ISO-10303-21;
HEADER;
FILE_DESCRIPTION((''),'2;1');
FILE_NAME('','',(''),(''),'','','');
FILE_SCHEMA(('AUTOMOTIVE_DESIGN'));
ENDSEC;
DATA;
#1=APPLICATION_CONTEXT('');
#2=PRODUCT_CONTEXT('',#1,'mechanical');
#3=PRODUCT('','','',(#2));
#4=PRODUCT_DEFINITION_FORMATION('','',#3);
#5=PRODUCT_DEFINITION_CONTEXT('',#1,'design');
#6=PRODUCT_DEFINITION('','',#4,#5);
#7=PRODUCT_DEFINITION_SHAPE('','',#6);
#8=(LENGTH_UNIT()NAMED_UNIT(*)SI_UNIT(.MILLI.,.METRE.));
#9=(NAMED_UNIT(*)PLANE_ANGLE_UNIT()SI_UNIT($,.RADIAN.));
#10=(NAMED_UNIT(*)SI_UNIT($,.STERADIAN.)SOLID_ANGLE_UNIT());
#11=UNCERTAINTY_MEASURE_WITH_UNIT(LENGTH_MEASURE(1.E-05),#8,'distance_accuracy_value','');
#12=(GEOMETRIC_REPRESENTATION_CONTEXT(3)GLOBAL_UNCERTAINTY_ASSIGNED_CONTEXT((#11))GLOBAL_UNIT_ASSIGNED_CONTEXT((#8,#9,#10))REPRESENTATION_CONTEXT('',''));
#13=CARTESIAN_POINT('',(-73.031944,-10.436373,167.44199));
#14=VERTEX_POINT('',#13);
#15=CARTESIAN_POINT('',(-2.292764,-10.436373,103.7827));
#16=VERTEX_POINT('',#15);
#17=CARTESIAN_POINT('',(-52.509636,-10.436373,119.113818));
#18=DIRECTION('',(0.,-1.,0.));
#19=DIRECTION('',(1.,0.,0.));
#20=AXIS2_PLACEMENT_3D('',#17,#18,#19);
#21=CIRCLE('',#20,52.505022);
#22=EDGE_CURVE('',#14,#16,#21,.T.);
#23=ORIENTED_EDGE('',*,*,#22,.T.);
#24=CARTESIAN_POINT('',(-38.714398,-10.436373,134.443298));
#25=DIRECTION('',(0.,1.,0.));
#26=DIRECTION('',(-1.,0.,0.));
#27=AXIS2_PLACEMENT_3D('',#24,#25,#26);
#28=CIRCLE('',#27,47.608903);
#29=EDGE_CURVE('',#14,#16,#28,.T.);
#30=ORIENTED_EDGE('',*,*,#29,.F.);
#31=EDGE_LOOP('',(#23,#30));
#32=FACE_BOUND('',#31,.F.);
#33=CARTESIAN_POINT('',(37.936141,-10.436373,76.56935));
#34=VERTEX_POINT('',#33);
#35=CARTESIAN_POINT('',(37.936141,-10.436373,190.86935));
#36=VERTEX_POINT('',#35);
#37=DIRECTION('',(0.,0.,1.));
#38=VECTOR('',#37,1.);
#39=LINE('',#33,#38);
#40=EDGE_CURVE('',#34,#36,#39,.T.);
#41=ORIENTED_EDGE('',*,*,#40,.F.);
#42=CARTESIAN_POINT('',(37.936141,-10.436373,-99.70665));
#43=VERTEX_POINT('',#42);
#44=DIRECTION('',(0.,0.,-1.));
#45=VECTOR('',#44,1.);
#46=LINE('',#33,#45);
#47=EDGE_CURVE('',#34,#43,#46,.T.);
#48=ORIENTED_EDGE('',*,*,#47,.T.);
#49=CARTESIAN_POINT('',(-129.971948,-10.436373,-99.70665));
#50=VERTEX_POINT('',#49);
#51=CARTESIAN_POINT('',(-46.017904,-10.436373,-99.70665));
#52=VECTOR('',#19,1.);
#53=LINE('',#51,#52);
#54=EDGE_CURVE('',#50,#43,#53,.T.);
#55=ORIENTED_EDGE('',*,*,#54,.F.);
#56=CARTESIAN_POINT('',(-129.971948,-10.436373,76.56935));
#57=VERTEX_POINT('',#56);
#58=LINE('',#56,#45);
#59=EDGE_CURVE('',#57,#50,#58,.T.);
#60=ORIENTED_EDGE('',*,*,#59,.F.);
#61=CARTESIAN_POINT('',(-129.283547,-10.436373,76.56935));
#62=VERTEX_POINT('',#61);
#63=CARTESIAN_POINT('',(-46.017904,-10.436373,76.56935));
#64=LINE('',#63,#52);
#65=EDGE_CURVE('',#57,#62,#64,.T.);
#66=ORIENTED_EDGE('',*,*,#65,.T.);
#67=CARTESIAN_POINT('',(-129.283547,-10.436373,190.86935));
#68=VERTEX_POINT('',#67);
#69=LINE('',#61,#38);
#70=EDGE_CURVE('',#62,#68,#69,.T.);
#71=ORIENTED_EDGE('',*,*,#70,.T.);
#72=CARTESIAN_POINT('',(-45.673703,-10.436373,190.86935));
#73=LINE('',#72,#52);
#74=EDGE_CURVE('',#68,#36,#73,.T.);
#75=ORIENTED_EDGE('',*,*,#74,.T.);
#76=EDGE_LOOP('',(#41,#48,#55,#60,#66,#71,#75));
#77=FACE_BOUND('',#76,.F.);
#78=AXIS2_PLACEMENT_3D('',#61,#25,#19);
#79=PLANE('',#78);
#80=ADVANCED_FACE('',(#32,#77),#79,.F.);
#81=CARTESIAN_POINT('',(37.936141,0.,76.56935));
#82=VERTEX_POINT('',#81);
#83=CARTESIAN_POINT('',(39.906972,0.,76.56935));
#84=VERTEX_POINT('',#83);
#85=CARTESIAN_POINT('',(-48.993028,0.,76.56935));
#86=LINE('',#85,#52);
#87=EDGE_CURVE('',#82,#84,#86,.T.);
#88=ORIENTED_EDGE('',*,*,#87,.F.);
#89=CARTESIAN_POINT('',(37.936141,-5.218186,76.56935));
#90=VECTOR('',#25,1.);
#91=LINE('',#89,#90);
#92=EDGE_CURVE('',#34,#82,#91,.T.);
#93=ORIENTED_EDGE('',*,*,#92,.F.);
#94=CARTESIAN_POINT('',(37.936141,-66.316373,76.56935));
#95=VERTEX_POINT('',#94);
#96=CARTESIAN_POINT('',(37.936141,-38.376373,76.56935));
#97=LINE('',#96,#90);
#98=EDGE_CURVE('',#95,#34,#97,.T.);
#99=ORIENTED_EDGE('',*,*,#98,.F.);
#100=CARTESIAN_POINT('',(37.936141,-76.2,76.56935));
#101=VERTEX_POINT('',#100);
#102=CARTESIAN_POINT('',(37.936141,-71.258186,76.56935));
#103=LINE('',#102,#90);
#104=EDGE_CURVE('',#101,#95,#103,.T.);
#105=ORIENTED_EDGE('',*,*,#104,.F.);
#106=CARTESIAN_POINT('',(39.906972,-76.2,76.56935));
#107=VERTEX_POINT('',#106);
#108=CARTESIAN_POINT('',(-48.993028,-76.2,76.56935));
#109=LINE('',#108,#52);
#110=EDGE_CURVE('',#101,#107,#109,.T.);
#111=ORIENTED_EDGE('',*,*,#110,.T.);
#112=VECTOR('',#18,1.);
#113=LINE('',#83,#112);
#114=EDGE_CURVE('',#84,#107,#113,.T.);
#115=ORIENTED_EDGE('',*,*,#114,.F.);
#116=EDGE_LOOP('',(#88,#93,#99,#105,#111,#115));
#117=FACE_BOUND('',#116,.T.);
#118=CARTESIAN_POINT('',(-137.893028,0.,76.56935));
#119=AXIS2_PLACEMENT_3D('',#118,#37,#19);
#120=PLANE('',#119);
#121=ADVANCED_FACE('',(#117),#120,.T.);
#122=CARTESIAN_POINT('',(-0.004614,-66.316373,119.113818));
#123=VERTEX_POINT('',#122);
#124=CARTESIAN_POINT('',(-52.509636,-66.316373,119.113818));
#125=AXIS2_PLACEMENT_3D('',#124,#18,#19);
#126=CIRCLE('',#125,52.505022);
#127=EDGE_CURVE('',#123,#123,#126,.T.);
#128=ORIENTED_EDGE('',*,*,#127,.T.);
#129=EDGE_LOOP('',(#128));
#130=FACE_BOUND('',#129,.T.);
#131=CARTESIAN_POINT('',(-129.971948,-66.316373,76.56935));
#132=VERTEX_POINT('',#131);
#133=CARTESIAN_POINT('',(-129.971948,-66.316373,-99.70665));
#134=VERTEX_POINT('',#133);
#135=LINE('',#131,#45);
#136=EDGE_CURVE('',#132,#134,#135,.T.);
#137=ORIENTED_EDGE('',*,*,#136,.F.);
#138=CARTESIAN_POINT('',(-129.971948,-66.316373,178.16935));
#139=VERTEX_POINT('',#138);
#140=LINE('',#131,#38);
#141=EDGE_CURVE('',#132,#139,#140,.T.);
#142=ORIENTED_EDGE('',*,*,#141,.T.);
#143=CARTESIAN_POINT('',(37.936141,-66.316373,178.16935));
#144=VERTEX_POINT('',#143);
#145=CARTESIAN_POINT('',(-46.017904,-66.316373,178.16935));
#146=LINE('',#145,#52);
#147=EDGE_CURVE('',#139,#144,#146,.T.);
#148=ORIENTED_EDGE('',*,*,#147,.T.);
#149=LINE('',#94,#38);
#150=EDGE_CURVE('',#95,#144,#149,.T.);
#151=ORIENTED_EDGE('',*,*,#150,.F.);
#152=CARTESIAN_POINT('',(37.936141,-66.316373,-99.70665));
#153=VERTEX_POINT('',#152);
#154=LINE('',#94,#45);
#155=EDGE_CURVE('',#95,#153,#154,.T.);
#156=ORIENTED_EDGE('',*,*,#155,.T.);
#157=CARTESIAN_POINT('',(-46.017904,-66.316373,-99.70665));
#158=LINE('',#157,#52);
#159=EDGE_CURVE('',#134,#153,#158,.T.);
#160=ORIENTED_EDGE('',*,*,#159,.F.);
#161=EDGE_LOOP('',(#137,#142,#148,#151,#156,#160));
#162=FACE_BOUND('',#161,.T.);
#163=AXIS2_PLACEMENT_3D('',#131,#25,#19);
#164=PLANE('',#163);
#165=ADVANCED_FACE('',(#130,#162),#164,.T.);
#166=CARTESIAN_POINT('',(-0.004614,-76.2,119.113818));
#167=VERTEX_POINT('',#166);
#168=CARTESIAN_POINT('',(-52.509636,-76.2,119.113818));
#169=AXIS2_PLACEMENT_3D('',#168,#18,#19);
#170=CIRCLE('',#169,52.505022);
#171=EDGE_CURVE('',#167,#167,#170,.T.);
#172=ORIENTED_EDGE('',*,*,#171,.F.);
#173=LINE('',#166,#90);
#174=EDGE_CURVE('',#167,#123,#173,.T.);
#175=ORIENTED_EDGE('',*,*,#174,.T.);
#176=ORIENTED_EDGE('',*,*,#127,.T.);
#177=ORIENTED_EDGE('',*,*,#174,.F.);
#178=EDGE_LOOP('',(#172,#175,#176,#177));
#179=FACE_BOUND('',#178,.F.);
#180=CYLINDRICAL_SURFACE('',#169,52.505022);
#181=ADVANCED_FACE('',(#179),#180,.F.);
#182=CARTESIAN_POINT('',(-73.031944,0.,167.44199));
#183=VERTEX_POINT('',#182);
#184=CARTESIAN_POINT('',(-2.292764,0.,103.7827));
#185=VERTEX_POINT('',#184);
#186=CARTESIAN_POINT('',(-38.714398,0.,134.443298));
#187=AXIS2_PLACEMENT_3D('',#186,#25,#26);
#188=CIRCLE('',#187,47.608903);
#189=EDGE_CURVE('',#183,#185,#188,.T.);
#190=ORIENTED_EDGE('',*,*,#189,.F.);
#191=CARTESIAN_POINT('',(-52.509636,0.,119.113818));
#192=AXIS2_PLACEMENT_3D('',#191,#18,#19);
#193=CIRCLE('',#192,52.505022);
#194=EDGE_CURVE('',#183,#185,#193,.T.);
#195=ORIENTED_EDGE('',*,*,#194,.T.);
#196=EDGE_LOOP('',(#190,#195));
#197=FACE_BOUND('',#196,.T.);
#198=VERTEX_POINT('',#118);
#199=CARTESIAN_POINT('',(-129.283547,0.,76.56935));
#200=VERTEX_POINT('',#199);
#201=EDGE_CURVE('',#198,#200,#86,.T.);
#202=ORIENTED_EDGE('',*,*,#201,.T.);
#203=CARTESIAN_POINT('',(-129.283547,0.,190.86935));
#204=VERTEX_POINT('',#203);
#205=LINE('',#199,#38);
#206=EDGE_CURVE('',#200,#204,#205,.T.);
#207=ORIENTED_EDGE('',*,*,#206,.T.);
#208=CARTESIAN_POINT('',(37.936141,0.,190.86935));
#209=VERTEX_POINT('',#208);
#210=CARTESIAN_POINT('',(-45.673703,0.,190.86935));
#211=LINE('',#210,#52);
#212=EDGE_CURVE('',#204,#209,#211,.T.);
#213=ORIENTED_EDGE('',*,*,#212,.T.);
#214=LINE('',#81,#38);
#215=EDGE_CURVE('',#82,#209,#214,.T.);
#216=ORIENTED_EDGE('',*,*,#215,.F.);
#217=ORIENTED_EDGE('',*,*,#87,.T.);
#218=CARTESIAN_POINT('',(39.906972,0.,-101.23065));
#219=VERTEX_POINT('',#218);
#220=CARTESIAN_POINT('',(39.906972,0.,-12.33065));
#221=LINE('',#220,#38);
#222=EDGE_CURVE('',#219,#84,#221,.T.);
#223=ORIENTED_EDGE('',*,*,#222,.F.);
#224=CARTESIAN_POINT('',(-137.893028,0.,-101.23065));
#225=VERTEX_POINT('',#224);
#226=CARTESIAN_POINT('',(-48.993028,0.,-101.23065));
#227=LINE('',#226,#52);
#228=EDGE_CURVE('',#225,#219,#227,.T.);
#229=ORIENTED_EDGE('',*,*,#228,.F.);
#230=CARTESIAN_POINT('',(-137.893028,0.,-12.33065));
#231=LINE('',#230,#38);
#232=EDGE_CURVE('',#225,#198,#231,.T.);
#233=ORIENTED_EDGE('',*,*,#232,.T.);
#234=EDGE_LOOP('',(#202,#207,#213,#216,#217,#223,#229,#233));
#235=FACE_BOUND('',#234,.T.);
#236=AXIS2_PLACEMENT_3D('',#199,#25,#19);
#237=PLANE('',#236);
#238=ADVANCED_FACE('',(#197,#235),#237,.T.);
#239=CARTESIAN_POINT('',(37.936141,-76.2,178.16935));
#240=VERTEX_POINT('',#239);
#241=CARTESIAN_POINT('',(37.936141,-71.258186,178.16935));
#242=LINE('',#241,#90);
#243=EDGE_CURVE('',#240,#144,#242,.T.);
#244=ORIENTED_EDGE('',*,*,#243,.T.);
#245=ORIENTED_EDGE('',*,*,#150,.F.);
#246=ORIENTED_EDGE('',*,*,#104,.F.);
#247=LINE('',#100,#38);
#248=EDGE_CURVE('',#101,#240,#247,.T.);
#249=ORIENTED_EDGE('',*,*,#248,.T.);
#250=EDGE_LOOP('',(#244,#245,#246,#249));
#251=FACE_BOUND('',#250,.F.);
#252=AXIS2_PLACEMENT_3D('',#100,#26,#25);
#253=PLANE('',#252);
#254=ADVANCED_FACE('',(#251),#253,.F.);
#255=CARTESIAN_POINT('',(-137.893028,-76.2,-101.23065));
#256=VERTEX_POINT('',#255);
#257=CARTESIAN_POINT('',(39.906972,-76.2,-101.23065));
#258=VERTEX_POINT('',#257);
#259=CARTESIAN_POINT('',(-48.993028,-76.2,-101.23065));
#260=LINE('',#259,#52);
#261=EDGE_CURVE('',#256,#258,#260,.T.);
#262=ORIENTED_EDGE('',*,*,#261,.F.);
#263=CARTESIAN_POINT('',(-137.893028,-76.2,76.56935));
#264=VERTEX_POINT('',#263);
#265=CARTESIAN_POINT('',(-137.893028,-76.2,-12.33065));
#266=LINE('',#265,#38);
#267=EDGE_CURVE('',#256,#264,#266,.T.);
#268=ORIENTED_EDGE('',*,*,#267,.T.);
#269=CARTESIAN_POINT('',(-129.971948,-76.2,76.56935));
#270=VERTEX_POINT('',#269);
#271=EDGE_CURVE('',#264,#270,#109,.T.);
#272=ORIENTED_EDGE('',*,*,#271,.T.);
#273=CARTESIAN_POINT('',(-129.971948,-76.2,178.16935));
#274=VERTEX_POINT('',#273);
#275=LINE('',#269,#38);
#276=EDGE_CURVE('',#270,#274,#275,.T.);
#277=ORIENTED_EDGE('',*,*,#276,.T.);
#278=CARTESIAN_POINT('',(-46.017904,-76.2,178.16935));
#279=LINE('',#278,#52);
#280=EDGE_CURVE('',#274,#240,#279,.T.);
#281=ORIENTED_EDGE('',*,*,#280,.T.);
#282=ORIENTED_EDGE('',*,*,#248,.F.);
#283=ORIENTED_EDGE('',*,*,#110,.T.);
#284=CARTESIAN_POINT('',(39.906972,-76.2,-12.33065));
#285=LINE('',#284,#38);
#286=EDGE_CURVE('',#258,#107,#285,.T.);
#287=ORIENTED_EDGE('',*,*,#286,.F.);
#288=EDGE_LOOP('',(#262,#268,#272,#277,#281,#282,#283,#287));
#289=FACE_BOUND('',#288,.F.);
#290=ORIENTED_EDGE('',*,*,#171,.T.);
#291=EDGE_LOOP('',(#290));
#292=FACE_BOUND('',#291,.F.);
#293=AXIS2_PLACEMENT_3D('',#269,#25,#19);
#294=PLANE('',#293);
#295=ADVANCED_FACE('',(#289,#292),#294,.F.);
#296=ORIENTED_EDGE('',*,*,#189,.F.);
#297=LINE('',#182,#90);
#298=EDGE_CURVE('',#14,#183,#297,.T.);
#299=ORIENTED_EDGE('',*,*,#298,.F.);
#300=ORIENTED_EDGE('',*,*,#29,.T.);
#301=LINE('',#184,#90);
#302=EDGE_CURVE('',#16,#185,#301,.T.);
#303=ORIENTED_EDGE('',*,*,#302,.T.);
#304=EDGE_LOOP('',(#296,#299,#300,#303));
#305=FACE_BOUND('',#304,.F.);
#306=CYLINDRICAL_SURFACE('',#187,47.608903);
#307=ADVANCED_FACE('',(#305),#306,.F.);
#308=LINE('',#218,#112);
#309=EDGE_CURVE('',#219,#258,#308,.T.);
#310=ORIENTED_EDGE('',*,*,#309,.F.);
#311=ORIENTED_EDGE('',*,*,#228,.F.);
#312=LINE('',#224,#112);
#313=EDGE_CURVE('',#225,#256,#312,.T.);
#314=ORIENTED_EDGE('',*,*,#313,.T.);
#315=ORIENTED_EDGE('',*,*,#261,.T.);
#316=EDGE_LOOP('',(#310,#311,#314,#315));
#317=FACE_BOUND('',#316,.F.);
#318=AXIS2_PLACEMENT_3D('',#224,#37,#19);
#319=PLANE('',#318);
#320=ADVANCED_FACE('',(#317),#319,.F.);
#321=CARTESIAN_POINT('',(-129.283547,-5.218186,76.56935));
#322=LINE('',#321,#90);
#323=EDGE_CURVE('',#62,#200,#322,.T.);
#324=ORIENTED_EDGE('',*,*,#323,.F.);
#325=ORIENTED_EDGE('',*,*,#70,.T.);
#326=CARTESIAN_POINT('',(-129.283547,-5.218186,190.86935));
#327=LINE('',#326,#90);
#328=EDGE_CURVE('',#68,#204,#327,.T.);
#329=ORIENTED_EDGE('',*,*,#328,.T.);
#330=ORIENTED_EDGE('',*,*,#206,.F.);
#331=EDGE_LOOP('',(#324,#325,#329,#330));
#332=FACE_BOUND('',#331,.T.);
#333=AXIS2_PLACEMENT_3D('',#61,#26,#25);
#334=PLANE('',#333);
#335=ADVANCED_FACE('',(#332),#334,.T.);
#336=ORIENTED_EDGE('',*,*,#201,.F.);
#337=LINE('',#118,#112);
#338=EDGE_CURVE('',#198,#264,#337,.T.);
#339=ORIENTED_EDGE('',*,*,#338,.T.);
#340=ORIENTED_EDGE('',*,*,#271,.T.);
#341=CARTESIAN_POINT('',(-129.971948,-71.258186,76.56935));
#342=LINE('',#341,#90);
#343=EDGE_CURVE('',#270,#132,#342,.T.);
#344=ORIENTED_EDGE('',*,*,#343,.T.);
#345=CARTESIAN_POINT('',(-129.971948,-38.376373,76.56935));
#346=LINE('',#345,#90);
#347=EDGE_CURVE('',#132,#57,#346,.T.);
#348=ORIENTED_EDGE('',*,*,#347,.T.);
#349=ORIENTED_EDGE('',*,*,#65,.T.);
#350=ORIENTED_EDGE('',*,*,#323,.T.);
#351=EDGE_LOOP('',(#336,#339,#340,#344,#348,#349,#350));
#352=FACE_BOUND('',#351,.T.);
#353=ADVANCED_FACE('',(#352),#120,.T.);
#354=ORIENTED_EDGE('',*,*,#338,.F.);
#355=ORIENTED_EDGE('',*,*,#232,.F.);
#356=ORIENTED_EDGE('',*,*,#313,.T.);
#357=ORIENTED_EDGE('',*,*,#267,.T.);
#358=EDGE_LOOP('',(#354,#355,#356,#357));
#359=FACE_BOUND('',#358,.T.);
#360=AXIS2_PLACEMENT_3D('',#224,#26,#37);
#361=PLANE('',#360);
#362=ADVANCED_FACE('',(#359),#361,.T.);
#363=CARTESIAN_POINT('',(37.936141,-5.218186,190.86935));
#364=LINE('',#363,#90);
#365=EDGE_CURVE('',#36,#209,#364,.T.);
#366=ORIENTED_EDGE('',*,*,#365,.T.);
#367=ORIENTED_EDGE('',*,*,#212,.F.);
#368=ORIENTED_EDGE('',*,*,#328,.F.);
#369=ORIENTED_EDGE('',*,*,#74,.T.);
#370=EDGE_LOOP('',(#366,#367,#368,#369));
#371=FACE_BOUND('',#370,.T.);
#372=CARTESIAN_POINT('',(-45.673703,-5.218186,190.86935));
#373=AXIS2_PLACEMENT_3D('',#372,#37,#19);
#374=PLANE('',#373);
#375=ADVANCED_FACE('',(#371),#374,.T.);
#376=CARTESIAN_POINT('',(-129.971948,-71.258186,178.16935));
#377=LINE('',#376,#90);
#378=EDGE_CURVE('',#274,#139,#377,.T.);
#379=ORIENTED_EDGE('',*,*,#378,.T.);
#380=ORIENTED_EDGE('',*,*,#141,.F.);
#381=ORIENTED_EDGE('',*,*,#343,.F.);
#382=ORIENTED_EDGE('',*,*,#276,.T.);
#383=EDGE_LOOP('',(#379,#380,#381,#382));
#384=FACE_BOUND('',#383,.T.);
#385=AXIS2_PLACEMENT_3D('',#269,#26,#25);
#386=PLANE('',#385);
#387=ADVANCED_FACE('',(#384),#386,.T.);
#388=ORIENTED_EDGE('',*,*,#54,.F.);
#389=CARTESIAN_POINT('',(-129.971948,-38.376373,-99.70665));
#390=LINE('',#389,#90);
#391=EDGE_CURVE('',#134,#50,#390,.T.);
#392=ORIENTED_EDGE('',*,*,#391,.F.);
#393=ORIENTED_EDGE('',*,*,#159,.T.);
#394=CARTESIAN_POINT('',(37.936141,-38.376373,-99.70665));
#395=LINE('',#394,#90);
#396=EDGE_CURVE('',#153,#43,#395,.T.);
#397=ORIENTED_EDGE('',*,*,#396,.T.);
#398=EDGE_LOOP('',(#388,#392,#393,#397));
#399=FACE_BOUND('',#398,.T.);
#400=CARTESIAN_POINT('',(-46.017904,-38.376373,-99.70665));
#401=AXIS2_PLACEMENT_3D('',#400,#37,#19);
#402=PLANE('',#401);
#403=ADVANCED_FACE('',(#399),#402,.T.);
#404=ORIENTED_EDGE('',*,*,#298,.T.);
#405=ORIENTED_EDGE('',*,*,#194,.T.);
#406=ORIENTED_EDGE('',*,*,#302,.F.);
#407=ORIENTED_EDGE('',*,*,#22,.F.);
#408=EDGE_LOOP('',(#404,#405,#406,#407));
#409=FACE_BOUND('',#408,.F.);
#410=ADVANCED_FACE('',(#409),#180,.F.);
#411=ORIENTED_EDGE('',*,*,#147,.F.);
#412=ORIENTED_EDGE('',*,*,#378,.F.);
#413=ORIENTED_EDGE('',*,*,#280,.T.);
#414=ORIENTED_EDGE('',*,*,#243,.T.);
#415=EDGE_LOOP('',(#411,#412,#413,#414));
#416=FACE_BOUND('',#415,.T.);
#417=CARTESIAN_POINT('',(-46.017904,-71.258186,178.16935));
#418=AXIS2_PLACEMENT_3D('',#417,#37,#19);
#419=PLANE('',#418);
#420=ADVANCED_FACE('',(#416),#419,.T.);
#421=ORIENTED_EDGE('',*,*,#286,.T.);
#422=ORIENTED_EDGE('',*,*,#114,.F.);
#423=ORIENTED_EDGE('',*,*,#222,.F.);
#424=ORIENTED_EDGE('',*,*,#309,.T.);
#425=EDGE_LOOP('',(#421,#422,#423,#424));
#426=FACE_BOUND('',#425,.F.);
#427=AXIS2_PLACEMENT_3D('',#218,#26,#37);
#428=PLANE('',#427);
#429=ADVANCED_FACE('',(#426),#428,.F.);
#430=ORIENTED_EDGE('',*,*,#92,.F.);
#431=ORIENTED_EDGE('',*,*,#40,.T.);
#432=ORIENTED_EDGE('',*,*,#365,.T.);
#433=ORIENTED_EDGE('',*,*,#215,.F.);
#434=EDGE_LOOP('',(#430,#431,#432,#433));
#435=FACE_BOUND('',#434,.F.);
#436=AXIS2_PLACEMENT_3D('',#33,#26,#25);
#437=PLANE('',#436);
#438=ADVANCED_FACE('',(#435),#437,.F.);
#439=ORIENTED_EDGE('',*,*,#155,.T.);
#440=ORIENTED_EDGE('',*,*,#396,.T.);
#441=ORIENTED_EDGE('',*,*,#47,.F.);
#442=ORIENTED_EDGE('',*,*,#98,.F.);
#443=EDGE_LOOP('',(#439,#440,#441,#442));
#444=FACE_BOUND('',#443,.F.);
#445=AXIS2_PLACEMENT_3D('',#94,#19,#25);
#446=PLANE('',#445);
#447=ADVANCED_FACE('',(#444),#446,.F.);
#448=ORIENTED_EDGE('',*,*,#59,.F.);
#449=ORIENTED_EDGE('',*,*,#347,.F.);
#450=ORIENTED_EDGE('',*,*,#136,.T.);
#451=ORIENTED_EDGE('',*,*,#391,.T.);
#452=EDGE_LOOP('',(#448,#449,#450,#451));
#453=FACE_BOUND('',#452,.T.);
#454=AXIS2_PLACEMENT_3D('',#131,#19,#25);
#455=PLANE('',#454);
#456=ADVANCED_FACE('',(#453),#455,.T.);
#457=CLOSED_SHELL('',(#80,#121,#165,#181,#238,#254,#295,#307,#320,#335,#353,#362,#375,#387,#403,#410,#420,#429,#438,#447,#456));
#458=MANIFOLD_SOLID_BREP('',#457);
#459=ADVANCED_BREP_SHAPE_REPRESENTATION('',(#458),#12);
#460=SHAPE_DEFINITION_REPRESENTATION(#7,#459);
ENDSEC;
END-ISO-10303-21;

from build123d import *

# Parameters (mm, degrees)
F0_W      = 177.8
F0_H      = 177.8
F1_DEPTH  = 76.2
F2_W      = 167.9080887029
F2_H      = 55.88
F3_DEPTH  = 176.276
F4_W      = 167.9080887029
F4_H      = 9.8836272268
F5_DEPTH  = 101.6
F6_W      = 167.2196879183
F6_H      = 10.4363727732
F7_DEPTH  = 114.3
F8_R      = 47.6089031409
F9_DEPTH  = 41.91
F10_R     = 52.5050220685
F11_DEPTH = 159.004


with BuildPart() as f1:
    # F0 (on Front) → F1 (new body)
    with BuildSketch(Plane.XZ):
        with Locations((-48.9930282295, -12.3306500904)):
            Rectangle(F0_W, F0_H)
    extrude(amount=F1_DEPTH)

    # F2 (on face) → F3 (cut)
    with BuildSketch(Plane.XY.offset(76.5693499096)):
        with Locations((-46.0179038346, -38.3763727732)):
            Rectangle(F2_W, F2_H)
    extrude(amount=-F3_DEPTH, mode=Mode.SUBTRACT)

    # F4 (on face) → F5 (join)
    with BuildSketch(Plane.XY.offset(76.5693499096)):
        with Locations((-46.0179038346, -71.2581863866)):
            Rectangle(F4_W, F4_H)
    extrude(amount=F5_DEPTH)

    # F6 (on face) → F7 (join)
    with BuildSketch(Plane.XY.offset(76.5693499096)):
        with Locations((-45.6737034423, -5.2181863866)):
            Rectangle(F6_W, F6_H)
    extrude(amount=F7_DEPTH)

    # F8 (on face) → F9 (cut)
    with BuildSketch(Plane(origin=(0, 0, 0), x_dir=(-1, 0, 0), z_dir=(0, 1, 0))):
        with Locations((38.7143976986, 134.4432979822)):
            Circle(F8_R)
    extrude(amount=-F9_DEPTH, mode=Mode.SUBTRACT)

    # F10 (on face) → F11 (cut)
    with BuildSketch(Plane.XZ.offset(76.2)):
        with Locations((-52.5096356869, 119.113817811)):
            Circle(F10_R)
    extrude(amount=-F11_DEPTH, mode=Mode.SUBTRACT)


solid = f1.part
